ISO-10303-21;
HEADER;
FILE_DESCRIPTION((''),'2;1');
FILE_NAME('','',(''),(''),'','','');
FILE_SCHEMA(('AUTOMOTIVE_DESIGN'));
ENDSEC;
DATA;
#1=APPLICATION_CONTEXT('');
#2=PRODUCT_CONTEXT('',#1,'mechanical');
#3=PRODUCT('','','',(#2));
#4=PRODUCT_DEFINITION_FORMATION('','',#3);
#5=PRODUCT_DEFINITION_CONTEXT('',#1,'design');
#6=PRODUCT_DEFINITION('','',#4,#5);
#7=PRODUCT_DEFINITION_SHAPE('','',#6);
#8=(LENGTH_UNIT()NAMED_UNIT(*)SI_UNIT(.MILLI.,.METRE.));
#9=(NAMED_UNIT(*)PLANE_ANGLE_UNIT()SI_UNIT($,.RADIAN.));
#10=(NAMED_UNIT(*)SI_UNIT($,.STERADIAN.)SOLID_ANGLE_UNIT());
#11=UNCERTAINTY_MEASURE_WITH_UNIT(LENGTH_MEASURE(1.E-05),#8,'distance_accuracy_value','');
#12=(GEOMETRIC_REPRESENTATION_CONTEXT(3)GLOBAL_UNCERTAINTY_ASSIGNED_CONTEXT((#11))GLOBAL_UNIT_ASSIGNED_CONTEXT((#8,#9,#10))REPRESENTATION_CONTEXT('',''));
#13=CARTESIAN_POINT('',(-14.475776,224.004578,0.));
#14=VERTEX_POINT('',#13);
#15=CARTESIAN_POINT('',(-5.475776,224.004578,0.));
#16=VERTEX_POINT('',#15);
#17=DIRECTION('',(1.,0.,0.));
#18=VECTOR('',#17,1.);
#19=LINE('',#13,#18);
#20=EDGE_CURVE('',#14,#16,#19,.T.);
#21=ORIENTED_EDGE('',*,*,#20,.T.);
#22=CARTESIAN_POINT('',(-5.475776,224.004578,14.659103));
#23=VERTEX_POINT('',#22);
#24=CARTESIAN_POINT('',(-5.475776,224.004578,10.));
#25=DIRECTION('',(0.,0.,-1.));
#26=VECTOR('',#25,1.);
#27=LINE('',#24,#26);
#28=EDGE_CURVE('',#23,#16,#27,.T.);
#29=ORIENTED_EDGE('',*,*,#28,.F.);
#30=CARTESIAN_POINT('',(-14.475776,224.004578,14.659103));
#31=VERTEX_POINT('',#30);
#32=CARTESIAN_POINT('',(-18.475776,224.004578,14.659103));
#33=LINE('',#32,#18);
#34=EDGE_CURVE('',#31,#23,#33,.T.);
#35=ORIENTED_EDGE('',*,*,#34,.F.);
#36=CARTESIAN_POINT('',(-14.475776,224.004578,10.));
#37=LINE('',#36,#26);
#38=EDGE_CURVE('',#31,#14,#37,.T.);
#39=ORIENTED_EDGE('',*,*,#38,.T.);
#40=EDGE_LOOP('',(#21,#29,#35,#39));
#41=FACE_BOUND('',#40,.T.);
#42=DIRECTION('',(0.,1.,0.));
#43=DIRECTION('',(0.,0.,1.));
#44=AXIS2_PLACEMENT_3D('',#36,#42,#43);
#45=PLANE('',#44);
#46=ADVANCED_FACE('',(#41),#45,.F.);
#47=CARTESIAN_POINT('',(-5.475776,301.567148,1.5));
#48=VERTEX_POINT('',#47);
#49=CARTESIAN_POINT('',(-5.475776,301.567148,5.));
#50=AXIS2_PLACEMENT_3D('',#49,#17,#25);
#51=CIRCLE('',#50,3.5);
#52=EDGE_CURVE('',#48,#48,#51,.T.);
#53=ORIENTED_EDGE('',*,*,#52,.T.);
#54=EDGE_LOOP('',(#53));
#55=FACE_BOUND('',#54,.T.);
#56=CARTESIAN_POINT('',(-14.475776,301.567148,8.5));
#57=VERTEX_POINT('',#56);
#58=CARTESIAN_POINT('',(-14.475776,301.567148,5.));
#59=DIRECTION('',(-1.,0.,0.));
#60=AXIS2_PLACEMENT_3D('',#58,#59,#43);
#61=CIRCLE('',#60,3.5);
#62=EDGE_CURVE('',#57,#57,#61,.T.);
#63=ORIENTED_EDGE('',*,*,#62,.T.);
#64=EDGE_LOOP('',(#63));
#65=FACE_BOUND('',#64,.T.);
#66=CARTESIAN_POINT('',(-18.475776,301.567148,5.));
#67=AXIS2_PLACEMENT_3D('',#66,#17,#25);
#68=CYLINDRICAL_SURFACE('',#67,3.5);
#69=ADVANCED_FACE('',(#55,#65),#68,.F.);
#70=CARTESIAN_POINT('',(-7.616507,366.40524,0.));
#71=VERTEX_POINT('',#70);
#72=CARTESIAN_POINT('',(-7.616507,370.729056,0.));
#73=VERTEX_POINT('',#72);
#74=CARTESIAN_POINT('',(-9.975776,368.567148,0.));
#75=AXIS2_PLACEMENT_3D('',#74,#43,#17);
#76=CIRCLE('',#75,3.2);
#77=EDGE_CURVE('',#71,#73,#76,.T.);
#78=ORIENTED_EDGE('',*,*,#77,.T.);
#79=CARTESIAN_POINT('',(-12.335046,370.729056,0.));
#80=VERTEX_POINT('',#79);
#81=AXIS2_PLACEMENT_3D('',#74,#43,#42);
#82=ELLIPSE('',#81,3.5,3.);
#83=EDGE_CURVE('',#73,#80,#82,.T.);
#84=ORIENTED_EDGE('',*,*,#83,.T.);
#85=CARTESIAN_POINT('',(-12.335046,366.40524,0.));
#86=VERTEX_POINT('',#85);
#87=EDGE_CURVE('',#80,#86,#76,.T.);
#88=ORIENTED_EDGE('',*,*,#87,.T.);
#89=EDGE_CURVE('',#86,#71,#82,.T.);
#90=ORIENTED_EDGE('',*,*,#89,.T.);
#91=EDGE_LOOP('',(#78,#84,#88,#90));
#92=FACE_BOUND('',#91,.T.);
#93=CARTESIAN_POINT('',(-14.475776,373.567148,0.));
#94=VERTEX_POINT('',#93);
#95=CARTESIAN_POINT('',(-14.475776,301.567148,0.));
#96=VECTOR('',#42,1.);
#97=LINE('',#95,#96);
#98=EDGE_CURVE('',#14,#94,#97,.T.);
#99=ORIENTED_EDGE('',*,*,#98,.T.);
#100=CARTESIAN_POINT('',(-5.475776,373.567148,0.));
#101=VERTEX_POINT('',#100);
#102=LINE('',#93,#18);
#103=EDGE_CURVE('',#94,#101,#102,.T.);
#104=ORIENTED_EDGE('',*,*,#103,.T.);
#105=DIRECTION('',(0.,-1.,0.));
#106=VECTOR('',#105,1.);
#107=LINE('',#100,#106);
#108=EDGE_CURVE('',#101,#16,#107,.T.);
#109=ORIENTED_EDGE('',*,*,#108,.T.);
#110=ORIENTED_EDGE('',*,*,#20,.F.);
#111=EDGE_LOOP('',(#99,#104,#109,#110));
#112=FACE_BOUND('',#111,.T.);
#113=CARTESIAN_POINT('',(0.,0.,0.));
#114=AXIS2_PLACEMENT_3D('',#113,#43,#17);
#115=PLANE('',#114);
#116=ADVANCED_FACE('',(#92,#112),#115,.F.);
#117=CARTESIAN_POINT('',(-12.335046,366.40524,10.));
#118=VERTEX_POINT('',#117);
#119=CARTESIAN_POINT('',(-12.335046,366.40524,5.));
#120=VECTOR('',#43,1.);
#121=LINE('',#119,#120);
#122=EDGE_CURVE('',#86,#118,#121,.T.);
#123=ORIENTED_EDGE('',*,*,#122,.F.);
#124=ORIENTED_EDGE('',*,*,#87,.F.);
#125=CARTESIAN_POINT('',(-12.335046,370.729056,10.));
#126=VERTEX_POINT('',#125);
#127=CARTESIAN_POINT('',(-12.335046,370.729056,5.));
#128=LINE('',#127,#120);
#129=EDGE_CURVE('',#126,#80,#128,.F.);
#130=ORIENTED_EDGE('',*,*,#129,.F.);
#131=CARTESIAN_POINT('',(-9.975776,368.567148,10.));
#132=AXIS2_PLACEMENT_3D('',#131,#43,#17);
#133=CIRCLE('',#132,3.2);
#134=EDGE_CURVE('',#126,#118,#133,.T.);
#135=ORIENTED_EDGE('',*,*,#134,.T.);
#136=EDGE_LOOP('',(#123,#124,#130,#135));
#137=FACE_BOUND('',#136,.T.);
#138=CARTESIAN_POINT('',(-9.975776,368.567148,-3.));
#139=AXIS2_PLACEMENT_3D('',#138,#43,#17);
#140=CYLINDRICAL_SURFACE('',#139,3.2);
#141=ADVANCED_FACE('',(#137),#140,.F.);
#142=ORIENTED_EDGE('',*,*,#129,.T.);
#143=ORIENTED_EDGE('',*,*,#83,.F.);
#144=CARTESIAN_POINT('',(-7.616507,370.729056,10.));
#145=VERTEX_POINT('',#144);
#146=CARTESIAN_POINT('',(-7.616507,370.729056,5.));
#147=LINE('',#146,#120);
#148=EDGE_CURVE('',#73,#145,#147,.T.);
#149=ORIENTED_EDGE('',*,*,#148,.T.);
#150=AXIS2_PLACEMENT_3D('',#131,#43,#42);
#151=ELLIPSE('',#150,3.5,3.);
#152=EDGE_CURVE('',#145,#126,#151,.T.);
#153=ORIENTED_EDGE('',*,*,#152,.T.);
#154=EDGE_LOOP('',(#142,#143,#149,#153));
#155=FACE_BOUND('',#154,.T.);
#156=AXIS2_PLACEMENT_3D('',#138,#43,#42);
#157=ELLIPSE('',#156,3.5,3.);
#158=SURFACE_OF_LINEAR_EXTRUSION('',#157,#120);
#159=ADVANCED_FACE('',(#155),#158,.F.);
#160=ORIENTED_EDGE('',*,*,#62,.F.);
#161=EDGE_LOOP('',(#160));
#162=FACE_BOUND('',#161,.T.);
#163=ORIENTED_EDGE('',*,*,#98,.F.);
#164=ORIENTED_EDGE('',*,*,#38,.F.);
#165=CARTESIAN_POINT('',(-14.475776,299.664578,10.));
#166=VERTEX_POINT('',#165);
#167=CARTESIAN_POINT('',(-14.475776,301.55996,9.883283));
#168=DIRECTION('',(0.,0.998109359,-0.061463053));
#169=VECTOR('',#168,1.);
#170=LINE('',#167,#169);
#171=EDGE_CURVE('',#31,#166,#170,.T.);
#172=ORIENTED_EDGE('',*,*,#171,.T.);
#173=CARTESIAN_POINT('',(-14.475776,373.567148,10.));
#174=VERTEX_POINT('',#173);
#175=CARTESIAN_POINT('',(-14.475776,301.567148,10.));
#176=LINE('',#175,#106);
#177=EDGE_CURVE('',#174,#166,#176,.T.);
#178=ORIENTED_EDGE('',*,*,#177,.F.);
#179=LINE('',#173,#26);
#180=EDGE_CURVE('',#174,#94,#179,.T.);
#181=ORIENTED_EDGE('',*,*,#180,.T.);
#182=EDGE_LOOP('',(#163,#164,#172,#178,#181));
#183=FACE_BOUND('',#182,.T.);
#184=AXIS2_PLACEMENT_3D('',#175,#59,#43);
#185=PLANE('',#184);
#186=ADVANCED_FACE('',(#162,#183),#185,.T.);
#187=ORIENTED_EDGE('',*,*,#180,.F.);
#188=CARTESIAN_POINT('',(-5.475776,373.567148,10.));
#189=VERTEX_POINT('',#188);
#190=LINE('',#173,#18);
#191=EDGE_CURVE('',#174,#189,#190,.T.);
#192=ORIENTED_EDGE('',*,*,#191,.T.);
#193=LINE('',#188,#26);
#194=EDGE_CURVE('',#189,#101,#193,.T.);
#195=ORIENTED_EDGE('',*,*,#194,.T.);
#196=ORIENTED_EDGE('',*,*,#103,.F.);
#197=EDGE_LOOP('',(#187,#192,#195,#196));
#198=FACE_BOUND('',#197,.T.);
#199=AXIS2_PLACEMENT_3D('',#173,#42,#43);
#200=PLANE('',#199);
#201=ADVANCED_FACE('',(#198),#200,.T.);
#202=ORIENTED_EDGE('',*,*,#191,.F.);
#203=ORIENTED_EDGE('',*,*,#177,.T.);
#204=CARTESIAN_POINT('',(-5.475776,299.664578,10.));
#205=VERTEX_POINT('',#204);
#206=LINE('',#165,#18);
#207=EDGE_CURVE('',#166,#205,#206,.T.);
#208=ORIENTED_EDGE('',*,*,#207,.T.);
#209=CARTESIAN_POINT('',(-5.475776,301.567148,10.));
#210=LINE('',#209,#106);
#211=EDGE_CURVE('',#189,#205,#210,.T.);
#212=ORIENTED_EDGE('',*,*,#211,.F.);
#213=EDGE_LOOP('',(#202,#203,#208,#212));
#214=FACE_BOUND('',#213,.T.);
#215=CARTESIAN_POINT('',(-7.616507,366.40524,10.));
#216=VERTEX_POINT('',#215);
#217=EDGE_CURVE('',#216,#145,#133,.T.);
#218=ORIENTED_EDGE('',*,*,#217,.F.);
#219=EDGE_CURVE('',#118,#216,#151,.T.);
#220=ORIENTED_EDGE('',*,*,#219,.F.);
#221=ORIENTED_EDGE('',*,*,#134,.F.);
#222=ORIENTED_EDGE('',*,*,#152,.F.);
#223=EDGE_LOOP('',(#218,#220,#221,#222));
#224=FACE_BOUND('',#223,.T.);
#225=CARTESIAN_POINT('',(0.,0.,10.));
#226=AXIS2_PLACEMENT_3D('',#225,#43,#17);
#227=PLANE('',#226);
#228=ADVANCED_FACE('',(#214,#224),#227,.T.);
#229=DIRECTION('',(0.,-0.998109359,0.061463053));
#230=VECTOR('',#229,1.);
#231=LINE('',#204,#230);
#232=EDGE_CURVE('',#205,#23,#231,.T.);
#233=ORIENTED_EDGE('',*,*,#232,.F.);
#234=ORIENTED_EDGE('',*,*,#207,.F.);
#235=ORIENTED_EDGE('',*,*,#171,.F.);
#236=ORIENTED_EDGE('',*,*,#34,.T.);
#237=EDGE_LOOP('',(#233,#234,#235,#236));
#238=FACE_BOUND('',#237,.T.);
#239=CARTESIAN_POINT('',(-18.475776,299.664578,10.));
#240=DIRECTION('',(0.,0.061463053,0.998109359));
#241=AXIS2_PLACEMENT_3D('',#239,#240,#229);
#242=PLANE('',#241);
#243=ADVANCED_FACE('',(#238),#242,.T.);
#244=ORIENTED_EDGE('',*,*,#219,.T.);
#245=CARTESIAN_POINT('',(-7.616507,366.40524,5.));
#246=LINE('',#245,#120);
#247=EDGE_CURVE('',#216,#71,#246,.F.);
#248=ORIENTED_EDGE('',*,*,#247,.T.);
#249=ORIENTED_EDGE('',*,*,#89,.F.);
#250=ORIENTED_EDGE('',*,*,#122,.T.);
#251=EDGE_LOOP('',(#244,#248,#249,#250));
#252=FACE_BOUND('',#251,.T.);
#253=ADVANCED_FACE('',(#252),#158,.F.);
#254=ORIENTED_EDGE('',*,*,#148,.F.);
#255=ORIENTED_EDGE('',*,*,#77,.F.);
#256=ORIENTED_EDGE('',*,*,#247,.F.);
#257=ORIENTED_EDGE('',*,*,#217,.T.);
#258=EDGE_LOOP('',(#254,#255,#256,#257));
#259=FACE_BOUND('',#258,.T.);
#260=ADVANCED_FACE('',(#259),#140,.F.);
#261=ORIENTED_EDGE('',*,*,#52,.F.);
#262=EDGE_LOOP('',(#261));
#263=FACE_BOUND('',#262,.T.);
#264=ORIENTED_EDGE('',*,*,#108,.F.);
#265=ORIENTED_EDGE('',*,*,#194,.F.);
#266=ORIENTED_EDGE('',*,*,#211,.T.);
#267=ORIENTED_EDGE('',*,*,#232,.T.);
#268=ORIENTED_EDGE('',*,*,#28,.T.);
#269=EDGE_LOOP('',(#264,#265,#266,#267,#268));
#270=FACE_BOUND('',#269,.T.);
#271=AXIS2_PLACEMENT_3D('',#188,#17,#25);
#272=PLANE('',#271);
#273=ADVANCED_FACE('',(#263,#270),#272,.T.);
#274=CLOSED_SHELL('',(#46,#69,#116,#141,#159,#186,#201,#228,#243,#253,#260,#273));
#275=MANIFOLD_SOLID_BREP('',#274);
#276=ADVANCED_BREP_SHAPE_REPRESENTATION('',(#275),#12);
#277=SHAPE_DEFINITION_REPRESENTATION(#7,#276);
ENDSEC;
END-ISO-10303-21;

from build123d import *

# Parameters (mm, degrees)
BOSS_EXTRU_1_DEPTH      = 10
ESQUISSE3_W             = 9
ESQUISSE3_H             = 75.66
BOSS_EXTRU_2_DEPTH      = 7
ENL_V_MAT_EXTRU_1_DEPTH = 13
ESQUISSE5_RX            = 3.5
ESQUISSE5_RY            = 3
ENL_V_MAT_EXTRU_2_DEPTH = 13
ESQUISSE6_R             = 3.2
ENL_V_MAT_EXTRU_3_DEPTH = 13
ESQUISSE7_R             = 3.5
ENL_V_MAT_EXTRU_4_DEPTH = 13


with BuildPart() as part:
    # Esquisse2 → Boss.-Extru.1 (new body)
    with BuildSketch(Plane.XY):
        Polygon((-14.475776368, 301.567147766), (-14.475776368, 373.567147766), (-5.475776368, 373.567147766), (-5.475776368, 301.567147766), (-5.475776368, 224.004578109), (-14.475776368, 224.004578109), align=None)
    extrude(amount=BOSS_EXTRU_1_DEPTH)

    # Esquisse3 → Boss.-Extru.2 (add)
    with BuildSketch(Plane.XY.offset(10)):
        with Locations((-9.975776368, 261.834578109)):
            Rectangle(ESQUISSE3_W, ESQUISSE3_H)
    extrude(amount=BOSS_EXTRU_2_DEPTH)

    # Esquisse4 → Enlèv. mat.-Extru.1 (cut)
    with BuildSketch(Plane(origin=(-5.475776368, 0, 0), x_dir=(0, 0, -1), z_dir=(1, 0, 0))):
        Polygon((-10, 299.664578109), (-14.659103262, 224.004578109), (-17, 224.004578109), (-17, 299.664578109), align=None)
    extrude(amount=-ENL_V_MAT_EXTRU_1_DEPTH, mode=Mode.SUBTRACT)

    # Esquisse5 → Enlèv. mat.-Extru.2 (cut)
    with BuildSketch(Plane.XY.offset(10)):
        with Locations(Location((-9.975776368, 368.567147766), (0, 0, 90))):
            Ellipse(ESQUISSE5_RX, ESQUISSE5_RY)
    extrude(amount=-ENL_V_MAT_EXTRU_2_DEPTH, mode=Mode.SUBTRACT)

    # Esquisse6 → Enlèv. mat.-Extru.3 (cut)
    with BuildSketch(Plane.XY.offset(10)):
        with Locations((-9.975776368, 368.567147766)):
            Circle(ESQUISSE6_R)
    extrude(amount=-ENL_V_MAT_EXTRU_3_DEPTH, mode=Mode.SUBTRACT)

    # Esquisse7 → Enlèv. mat.-Extru.4 (cut)
    with BuildSketch(Plane(origin=(-5.475776368, 0, 0), x_dir=(0, 0, -1), z_dir=(1, 0, 0))):
        with Locations((-5, 301.567147766)):
            Circle(ESQUISSE7_R)
    extrude(amount=-ENL_V_MAT_EXTRU_4_DEPTH, mode=Mode.SUBTRACT)


solid = part.part
